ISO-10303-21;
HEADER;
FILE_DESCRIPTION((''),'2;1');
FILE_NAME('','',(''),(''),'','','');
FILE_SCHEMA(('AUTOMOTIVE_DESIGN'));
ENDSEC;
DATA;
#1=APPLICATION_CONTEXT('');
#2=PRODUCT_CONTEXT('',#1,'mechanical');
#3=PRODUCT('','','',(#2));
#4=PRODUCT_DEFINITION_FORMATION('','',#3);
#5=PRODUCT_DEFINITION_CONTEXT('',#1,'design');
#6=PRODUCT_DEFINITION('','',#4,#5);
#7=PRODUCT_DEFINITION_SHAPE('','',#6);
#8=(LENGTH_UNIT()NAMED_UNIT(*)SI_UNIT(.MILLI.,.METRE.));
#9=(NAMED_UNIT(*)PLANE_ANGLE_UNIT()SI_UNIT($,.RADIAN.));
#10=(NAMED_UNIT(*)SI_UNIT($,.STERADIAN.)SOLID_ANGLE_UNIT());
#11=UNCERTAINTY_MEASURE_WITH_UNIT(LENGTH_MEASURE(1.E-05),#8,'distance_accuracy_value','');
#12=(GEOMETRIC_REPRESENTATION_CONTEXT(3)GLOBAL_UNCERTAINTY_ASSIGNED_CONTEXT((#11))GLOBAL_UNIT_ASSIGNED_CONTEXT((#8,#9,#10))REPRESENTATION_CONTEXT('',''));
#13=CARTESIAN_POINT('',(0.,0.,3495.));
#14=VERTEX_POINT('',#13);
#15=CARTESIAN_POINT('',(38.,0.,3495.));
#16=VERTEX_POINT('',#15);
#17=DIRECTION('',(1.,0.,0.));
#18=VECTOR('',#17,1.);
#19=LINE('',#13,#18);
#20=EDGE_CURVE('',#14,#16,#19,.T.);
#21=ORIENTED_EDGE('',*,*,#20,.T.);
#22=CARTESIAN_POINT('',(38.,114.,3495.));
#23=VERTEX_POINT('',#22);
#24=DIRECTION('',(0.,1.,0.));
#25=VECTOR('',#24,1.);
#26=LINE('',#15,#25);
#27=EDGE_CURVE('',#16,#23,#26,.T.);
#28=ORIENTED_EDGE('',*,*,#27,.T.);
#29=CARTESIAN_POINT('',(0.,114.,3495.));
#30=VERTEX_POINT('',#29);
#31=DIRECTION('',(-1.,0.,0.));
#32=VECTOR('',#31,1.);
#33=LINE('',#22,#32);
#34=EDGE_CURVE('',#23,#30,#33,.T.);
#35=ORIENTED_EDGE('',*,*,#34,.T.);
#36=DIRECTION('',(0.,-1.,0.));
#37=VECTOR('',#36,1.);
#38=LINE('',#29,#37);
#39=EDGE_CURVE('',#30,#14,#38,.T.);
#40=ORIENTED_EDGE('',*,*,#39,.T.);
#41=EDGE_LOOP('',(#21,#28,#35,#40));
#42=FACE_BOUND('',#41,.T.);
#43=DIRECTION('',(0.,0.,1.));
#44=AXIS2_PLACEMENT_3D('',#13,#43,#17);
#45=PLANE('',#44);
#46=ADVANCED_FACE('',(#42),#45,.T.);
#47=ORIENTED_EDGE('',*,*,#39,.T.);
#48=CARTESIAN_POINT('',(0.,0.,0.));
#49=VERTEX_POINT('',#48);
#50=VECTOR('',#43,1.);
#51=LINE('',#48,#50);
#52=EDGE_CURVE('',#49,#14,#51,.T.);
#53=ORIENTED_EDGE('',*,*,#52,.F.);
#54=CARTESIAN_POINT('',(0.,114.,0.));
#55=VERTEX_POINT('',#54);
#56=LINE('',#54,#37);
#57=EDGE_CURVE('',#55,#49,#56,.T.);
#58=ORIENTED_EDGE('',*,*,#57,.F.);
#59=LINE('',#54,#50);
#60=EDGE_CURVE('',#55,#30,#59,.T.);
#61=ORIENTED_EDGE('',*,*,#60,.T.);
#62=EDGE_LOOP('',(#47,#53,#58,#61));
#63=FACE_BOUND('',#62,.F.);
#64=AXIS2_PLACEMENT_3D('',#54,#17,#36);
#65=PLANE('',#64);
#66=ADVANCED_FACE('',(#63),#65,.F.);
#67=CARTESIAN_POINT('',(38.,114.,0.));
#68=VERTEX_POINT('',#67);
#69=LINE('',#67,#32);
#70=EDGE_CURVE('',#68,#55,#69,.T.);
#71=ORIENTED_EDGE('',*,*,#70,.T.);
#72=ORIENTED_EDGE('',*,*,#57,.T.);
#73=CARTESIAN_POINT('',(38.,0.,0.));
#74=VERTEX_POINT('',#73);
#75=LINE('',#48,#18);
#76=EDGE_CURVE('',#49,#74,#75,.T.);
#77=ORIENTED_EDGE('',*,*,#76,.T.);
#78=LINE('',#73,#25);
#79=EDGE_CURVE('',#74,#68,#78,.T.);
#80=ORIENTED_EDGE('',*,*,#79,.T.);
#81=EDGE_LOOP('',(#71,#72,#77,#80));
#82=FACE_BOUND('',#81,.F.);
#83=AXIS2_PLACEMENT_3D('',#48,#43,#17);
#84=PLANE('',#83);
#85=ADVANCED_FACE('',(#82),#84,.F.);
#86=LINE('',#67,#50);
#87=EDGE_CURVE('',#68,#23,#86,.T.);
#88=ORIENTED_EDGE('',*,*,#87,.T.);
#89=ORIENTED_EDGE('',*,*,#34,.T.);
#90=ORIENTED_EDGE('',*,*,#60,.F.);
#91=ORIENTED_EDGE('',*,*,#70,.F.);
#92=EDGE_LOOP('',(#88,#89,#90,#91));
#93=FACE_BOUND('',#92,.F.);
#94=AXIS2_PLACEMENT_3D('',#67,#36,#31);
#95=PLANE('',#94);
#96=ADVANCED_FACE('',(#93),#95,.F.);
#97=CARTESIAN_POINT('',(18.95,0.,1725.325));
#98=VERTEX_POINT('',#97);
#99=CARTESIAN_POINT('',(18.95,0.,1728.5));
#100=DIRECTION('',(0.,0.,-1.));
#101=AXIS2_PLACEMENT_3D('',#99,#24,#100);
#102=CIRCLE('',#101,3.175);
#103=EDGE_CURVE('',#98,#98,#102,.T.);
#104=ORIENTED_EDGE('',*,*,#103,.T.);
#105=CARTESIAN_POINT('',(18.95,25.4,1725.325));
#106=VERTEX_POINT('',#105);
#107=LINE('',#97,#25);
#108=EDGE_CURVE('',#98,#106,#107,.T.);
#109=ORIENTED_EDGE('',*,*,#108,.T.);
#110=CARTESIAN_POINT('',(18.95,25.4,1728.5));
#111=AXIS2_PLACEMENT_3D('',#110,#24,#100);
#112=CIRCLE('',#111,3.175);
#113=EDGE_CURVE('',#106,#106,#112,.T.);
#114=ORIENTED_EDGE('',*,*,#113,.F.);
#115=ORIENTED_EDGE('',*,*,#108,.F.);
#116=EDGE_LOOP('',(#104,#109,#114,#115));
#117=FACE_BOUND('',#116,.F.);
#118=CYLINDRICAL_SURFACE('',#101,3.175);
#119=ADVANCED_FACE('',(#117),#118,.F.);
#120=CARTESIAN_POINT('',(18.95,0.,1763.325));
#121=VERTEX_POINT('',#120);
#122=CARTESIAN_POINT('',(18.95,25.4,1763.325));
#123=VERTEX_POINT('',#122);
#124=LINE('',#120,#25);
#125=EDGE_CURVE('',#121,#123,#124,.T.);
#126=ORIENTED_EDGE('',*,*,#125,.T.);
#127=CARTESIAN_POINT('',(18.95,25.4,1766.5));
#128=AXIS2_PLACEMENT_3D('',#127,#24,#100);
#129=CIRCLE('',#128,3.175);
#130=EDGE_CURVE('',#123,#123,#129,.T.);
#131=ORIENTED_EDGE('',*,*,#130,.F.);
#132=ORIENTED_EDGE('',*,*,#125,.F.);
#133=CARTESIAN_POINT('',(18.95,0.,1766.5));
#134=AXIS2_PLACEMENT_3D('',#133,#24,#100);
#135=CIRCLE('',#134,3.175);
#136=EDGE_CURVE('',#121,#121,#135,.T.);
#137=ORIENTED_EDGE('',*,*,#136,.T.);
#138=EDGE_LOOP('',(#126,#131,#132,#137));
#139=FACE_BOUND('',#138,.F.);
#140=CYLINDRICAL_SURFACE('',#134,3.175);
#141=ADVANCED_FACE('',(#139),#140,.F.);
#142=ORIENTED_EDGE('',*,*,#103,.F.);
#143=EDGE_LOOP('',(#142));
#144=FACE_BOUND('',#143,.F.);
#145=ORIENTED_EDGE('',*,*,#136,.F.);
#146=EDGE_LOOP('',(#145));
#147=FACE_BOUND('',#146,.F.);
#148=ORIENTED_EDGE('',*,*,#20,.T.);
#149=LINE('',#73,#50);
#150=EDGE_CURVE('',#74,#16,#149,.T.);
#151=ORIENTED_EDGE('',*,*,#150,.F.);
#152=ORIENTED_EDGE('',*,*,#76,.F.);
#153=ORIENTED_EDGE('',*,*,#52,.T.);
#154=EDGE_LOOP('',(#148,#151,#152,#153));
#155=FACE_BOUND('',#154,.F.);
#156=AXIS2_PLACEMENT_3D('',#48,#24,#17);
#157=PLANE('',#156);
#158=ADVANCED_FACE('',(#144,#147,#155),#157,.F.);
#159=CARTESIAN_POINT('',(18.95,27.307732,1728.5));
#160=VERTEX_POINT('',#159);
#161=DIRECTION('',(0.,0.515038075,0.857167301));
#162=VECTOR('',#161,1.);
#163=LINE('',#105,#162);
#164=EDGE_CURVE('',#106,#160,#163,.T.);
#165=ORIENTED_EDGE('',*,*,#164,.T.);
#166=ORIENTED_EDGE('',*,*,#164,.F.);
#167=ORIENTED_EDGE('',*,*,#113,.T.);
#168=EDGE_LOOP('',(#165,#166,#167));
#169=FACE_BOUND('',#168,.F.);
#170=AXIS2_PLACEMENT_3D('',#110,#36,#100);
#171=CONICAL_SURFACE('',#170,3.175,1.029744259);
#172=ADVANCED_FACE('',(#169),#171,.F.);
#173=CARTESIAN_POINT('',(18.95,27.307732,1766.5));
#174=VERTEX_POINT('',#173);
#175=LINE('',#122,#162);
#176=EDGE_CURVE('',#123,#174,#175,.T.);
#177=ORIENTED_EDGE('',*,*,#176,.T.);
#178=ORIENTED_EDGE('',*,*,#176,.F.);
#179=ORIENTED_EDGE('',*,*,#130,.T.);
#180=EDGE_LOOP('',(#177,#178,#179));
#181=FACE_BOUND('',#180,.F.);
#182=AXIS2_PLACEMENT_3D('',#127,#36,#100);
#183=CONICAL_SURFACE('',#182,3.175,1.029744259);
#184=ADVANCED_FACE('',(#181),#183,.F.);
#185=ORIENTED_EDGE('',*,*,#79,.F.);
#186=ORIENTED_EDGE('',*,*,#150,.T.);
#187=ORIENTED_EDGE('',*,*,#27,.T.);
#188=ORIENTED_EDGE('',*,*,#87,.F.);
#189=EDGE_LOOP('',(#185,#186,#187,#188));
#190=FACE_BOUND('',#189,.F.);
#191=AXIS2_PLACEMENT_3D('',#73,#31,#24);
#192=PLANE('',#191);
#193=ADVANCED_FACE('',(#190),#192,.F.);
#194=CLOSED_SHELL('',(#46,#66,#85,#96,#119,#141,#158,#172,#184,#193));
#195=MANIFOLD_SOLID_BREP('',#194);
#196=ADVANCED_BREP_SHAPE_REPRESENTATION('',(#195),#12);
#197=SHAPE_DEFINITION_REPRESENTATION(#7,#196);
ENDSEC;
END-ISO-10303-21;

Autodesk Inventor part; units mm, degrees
ref_plane "YZ Plane" through (0, 0, 0) normal (1, 0, 0) x (0, 1, 0)
ref_plane "XZ Plane" through (0, 0, 0) normal (0, 1, 0) x (-1, 0, 0)
ref_plane "XY Plane" through (0, 0, 0) normal (0, 0, 1) x (1, 0, 0)
sketch "Sketch1" plane through (0, 0, 0) normal (0, 0, 1) x (1, 0, 0)
  line L0 (0, 0) -> (38, 0)
  line L1 (38, 0) -> (38, 114)
  line L2 (38, 114) -> (0, 114)
  line L3 (0, 114) -> (0, 0)
  dimension "d0" = 38
  dimension "d1" = 114
extrude "Extrusion1" add sketch "Sketch1" along normal blind 3495
sketch "Sketch2" plane through (38, 0, 0) normal (0, -1, 0) x (1, 0, 0)
  line L0 (0, 0) -> (0, 3495) projected
  line L1 (-38, 0) -> (-38, 3495) projected
  circle A0 centre (-19.05, 1766.5) radius 1.4111
  circle A1 centre (-19.05, 1728.5) radius 1.4111
  line L2 (-38, 1747.5) -> (0, 1747.5) construction
  dimension "d8" = 38
  dimension "d22" = 19
hole "Hole1" at (18.95, 0, 1766.5) at (18.95, 0, 1728.5) direction (0, 1, 0) diameter 6.35 depth 25.4 tip angle 118
sketch "Sketch4" plane through (0, 0, 0) normal (-1, 0, 0) x (0, 0, 1)
  line L0 (0, 114) -> (0, 0) projected
  line L1 (0, 0) -> (3495, 0) projected
  line L2 (3495, 114) -> (3495, 0) projected
  line L3 (0, 114) -> (3495, 114) projected
  line L4 (1747.5, 0) -> (1747.5, 114) construction
properties part number "2p4rim" material "Wood (Cherry)"
